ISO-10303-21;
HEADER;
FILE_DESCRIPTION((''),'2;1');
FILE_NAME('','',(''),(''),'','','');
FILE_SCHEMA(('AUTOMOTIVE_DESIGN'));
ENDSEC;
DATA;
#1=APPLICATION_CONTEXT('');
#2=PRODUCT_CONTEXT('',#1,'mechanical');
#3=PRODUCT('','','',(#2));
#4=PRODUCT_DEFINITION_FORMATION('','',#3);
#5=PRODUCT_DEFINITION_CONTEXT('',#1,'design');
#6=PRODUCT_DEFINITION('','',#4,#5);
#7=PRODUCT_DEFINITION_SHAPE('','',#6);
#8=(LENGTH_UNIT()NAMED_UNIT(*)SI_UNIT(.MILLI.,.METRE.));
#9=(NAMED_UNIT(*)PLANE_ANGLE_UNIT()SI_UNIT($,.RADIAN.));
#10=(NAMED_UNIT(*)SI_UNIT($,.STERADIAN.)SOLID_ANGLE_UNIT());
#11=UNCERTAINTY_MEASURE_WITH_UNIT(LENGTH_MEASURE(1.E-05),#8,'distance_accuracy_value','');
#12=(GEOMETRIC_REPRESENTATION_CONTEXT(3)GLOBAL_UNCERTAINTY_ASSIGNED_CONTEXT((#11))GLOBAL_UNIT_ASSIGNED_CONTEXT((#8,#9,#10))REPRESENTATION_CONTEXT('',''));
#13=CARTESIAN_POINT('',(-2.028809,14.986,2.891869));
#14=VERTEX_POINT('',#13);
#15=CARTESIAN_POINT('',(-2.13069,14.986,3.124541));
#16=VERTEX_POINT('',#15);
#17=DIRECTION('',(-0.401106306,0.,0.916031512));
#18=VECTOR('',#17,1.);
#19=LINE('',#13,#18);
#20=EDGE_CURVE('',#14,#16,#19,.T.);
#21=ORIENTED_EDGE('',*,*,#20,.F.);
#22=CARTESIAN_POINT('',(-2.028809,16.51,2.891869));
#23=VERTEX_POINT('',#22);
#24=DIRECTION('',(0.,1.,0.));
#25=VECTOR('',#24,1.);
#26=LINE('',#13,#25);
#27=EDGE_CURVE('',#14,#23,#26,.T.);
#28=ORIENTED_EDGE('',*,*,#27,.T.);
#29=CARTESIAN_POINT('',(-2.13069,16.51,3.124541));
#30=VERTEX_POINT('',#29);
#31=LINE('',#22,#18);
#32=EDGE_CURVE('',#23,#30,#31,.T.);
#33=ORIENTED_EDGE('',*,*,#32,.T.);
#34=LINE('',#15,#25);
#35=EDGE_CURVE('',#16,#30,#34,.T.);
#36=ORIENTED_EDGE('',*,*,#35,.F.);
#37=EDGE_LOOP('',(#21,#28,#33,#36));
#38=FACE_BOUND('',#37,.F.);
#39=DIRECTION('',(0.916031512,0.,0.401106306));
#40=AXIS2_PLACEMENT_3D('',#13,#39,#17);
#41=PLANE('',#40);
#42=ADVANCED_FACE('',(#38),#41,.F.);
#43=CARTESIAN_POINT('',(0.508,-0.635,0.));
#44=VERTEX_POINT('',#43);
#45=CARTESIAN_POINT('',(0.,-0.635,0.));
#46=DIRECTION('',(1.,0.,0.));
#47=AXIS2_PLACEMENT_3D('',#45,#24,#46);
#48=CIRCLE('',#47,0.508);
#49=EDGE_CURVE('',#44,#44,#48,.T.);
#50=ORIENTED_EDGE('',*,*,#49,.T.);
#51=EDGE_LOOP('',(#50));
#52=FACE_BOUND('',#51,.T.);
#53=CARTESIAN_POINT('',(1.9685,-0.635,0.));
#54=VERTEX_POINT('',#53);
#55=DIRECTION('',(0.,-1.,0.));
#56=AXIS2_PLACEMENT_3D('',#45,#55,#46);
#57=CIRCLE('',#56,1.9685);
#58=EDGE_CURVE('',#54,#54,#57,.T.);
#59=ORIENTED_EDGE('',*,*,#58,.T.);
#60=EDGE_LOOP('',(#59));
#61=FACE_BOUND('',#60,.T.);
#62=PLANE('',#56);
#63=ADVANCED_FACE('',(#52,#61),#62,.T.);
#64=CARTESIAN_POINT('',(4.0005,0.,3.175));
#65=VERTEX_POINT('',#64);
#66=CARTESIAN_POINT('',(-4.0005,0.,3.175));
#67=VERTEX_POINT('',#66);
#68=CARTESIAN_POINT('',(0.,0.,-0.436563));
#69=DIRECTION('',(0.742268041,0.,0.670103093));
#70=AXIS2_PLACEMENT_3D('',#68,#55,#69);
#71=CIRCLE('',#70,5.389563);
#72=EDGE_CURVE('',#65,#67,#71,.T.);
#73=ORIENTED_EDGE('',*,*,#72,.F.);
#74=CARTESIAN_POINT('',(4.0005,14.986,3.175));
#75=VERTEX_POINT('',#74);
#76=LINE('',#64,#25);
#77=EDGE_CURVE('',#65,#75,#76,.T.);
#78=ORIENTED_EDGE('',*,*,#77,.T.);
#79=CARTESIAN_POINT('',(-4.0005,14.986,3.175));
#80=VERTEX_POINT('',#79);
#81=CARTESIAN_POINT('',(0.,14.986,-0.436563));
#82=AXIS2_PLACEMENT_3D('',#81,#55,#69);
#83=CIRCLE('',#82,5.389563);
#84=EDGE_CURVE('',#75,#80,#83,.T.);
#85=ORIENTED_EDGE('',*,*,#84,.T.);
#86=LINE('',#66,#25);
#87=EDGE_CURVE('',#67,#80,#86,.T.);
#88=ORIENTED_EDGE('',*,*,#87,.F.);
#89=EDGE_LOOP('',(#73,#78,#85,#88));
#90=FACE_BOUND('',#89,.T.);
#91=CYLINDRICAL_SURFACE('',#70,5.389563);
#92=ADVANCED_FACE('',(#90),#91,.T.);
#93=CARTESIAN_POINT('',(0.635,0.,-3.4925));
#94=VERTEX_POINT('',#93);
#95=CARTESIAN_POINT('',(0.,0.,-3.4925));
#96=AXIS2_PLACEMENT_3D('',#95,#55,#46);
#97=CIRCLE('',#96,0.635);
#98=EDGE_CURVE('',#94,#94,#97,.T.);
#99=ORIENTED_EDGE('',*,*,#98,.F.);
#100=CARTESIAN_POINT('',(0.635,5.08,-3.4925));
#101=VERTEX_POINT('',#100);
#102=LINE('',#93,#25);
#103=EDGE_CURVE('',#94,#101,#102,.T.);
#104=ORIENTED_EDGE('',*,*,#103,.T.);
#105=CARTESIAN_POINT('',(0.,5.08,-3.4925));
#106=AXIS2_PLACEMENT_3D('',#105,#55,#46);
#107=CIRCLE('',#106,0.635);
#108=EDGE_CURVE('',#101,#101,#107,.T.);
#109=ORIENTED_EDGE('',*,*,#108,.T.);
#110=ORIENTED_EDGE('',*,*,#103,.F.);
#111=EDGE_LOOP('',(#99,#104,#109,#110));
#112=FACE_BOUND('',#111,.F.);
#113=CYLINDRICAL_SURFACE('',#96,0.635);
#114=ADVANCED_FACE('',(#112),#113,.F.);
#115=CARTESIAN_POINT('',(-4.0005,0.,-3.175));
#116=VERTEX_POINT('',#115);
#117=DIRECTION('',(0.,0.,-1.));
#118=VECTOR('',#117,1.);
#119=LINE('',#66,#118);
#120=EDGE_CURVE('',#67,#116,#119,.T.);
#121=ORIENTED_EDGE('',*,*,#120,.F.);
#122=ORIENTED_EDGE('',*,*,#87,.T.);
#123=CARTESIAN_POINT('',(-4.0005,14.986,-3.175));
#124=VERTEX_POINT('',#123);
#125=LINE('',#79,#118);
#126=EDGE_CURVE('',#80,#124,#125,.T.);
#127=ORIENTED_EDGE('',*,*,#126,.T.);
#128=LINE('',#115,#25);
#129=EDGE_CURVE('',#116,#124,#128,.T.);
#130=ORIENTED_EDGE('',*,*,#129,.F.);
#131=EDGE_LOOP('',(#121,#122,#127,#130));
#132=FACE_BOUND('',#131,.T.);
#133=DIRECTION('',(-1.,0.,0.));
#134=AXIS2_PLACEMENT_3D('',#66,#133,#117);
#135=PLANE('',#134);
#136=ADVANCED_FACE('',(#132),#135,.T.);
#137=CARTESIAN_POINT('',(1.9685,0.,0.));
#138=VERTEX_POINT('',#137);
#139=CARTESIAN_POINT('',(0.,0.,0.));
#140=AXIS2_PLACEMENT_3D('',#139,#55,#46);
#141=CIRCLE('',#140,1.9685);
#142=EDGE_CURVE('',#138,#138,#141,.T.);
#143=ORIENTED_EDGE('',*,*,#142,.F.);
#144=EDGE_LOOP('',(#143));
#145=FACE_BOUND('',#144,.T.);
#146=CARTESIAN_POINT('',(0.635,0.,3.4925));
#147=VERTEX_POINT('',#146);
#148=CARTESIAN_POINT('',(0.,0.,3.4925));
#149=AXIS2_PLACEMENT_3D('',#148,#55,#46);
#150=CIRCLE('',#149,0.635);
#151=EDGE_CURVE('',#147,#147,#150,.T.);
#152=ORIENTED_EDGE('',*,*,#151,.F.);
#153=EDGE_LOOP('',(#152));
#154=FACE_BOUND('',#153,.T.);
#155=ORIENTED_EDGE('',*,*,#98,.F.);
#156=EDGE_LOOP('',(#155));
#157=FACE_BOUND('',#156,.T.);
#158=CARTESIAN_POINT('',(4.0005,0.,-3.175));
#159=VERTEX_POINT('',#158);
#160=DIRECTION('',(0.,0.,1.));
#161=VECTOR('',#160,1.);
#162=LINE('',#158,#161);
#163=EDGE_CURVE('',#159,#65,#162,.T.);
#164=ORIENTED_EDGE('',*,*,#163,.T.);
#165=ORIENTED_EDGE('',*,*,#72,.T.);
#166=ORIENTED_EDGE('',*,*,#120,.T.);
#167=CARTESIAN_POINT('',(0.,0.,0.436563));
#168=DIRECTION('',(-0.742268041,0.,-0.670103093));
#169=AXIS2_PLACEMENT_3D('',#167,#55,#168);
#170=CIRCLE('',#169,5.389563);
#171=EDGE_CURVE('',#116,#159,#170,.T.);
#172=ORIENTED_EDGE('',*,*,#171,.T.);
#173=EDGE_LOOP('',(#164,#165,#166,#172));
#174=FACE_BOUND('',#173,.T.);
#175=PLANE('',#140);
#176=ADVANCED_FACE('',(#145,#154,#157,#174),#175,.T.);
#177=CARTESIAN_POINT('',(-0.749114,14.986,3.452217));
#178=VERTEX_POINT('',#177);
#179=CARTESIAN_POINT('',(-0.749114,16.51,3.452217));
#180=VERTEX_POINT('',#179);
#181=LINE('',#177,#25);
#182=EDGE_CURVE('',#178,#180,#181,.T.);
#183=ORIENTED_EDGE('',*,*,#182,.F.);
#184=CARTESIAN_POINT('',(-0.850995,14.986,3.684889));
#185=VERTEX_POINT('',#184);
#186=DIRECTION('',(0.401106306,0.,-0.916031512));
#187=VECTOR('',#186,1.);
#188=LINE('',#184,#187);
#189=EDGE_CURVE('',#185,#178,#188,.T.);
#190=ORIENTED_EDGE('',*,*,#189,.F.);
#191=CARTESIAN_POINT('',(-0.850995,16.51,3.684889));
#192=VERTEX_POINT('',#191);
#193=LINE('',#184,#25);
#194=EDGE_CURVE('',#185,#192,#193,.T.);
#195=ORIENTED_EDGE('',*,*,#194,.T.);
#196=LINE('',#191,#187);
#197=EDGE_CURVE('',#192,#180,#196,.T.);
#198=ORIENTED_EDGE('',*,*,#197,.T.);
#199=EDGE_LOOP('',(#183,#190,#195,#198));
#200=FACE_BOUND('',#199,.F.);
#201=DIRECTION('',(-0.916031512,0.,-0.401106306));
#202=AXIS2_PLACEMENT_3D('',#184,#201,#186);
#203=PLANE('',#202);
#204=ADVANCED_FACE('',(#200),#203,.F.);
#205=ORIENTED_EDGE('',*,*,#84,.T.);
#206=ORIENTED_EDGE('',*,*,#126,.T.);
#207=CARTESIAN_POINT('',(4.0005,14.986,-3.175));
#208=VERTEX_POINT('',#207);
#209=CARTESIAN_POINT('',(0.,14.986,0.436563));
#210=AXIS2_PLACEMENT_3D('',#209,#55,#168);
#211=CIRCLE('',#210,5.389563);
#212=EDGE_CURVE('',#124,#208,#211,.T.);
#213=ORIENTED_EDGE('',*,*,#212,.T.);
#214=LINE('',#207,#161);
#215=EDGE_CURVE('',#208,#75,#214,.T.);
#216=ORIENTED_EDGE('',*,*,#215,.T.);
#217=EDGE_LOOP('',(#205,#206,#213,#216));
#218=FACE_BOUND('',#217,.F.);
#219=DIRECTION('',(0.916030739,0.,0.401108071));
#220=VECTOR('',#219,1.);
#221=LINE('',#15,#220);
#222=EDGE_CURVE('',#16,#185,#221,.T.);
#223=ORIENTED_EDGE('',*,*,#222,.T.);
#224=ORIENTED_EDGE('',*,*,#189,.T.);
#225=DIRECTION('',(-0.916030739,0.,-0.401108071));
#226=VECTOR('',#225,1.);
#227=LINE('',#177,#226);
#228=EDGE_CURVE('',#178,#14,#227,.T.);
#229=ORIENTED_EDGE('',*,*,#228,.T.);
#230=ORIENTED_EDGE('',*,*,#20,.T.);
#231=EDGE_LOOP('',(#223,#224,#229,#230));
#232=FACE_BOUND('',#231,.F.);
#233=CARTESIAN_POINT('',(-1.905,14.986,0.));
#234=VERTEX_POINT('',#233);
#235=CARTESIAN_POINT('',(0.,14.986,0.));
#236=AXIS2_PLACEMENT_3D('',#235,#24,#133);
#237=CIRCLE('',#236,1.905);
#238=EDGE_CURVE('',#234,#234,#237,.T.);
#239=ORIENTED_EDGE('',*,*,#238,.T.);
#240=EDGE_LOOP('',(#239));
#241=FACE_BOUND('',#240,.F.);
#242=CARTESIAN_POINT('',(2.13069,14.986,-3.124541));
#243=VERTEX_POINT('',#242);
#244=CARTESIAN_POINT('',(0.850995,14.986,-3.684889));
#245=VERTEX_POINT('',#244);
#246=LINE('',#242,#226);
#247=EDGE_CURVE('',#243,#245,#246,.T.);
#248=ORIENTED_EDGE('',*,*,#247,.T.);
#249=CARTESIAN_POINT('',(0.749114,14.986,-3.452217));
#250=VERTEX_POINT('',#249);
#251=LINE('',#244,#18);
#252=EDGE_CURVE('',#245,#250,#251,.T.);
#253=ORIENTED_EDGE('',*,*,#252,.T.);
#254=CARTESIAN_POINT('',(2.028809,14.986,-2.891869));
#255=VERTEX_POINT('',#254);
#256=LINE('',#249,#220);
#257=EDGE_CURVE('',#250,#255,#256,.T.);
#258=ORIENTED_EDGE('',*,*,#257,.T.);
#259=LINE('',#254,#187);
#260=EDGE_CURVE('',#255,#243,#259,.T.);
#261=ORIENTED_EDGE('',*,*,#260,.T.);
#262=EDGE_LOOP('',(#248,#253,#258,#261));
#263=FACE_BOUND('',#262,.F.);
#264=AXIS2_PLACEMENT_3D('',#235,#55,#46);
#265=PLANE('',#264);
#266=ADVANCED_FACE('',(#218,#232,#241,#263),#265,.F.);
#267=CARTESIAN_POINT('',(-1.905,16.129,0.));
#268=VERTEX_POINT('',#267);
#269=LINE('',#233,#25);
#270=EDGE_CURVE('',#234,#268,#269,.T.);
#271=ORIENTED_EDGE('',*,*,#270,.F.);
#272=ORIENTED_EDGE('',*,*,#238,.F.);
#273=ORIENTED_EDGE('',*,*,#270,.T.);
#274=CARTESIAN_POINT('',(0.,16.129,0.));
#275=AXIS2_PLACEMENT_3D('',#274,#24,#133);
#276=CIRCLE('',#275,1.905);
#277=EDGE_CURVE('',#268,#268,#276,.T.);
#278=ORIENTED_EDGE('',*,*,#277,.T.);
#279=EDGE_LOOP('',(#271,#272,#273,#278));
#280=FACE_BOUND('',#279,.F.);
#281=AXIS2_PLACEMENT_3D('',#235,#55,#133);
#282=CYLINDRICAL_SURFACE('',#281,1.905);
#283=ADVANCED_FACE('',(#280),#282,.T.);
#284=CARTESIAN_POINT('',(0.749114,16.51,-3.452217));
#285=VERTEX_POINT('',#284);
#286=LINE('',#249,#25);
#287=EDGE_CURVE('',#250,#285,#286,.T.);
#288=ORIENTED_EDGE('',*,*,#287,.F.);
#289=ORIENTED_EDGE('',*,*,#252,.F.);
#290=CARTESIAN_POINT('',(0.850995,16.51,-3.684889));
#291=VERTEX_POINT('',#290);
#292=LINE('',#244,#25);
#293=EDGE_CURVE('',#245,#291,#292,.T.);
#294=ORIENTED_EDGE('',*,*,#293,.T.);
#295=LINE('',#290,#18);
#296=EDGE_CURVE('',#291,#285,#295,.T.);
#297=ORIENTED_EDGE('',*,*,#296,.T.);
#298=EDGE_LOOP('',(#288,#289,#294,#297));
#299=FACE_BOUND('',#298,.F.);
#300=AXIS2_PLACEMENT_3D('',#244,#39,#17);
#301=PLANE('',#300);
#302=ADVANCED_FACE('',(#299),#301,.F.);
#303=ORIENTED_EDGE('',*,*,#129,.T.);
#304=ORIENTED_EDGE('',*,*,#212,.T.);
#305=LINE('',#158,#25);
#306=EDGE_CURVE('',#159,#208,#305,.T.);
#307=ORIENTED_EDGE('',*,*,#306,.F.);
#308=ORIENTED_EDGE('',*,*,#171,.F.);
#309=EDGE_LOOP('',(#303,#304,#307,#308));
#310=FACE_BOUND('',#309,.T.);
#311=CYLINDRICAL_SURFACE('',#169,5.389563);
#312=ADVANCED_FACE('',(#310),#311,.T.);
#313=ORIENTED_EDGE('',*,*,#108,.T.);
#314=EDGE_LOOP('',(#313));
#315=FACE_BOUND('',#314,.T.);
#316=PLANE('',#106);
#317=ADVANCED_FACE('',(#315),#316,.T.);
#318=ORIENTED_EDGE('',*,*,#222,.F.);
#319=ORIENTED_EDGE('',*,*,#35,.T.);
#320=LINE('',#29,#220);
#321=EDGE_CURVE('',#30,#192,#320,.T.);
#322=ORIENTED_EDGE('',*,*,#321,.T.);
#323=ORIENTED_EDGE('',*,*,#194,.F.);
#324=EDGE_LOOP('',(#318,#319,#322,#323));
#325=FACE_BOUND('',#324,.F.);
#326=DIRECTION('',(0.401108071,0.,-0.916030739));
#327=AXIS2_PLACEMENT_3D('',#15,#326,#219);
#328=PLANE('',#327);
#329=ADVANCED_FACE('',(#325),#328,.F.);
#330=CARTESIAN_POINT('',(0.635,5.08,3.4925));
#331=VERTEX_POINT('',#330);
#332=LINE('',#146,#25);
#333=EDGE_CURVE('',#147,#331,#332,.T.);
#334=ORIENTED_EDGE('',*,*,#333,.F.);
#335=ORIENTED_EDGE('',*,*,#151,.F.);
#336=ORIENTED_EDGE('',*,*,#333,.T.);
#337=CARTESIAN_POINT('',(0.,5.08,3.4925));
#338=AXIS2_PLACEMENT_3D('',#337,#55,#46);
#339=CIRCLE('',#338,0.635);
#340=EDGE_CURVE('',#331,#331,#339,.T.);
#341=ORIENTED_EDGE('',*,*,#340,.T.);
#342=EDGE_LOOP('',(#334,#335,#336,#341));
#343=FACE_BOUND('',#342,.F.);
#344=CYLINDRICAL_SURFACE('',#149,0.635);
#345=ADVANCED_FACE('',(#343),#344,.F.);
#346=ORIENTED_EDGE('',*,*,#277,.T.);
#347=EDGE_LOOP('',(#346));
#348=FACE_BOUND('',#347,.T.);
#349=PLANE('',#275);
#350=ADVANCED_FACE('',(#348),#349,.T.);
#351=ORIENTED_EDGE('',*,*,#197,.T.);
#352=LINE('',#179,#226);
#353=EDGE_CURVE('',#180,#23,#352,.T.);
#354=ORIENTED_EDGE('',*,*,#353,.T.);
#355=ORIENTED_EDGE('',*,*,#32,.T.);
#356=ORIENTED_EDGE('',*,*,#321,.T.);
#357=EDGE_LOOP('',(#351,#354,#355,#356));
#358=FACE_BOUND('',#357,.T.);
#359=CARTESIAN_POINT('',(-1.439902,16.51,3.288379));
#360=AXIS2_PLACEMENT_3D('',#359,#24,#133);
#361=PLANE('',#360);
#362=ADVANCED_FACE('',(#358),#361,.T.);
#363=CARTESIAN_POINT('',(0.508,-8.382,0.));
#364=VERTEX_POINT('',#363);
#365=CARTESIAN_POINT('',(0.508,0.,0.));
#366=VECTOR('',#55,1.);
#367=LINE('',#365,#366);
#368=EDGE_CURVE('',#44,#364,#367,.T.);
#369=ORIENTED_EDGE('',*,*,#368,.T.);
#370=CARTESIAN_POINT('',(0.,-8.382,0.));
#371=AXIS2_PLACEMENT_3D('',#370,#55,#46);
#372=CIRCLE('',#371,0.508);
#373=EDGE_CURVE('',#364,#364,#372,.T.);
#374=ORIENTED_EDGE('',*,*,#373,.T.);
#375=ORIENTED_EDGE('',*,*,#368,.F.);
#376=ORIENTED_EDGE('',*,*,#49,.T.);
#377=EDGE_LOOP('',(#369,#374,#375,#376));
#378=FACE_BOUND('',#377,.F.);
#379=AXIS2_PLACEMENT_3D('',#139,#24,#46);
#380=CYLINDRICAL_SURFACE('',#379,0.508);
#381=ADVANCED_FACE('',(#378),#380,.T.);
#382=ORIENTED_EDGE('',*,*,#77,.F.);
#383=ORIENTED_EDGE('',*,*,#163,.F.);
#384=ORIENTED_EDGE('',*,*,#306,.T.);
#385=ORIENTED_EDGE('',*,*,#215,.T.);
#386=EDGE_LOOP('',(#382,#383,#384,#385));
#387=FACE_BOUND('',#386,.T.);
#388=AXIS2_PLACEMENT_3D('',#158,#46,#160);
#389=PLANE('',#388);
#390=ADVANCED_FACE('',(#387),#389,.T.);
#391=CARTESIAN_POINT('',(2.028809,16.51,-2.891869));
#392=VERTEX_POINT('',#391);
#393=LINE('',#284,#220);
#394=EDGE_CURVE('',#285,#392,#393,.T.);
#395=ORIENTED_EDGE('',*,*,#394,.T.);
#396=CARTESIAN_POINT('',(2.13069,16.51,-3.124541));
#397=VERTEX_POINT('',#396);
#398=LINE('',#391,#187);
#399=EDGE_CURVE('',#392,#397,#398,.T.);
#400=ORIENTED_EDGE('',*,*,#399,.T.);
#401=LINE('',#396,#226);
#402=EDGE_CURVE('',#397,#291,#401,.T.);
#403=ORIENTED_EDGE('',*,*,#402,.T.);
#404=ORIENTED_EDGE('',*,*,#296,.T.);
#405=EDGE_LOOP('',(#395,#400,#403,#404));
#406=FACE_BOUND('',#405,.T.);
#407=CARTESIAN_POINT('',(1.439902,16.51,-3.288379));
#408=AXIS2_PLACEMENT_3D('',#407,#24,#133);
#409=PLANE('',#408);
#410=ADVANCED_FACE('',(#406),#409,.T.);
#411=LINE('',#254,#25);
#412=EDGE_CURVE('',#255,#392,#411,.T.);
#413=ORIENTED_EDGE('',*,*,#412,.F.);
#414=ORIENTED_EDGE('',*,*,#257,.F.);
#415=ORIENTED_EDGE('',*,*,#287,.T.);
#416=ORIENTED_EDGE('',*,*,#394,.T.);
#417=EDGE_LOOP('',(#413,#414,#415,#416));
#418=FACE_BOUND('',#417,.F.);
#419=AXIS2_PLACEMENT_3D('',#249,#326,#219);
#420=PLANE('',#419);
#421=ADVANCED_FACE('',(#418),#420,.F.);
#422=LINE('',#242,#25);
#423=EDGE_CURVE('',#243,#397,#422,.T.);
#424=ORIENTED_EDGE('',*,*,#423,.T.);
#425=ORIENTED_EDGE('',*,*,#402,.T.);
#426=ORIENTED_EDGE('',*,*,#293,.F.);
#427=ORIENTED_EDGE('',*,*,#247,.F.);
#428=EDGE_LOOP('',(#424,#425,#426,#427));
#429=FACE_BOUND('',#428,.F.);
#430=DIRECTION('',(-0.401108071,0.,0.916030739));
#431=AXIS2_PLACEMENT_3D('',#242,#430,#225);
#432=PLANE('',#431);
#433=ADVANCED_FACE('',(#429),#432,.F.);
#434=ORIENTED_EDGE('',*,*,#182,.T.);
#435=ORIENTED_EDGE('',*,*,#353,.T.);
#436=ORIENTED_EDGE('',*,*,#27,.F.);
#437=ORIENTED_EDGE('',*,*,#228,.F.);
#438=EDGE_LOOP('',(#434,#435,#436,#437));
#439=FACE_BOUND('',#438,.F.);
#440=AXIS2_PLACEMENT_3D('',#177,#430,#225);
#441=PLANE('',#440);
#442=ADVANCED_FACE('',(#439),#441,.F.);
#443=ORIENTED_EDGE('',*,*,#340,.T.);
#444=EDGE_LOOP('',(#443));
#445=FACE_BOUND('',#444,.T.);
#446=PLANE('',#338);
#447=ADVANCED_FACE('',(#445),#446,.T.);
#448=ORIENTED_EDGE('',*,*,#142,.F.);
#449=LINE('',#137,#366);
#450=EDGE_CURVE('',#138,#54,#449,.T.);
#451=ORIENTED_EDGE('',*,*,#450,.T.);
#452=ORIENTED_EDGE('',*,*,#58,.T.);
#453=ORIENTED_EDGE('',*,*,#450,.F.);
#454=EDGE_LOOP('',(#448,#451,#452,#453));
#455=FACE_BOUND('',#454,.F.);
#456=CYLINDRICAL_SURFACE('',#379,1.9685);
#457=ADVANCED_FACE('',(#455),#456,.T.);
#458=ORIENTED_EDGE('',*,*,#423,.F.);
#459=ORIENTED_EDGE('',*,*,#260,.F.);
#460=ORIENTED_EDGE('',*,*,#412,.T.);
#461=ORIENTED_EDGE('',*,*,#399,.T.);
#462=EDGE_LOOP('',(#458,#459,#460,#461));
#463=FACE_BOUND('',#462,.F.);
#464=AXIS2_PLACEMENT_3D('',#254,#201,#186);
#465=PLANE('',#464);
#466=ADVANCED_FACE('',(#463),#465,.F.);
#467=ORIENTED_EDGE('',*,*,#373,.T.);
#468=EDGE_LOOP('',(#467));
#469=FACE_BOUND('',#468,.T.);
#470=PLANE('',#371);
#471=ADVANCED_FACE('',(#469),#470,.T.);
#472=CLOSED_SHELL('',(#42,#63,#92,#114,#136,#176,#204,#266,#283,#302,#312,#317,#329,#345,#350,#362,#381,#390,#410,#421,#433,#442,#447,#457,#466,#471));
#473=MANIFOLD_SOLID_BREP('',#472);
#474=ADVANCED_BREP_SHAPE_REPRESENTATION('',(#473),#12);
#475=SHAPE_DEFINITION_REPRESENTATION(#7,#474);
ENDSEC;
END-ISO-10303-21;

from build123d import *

# Parameters (mm, degrees)
F1_DEPTH  = 14.986
F2_R      = 0.508
F3_DEPTH  = 8.382
F4_R      = 0.635
F5_DEPTH  = 5.08
F6_R      = 1.9685
F7_DEPTH  = 0.635
F8_R      = 1.905
F9_DEPTH  = 1.143
F11_DEPTH = 1.524


with BuildPart() as f1:
    # F0 (on Front) → F1 (new body)
    with BuildSketch(Plane.XZ):
        with BuildLine():
            Line((4.0005, -3.175), (4.0005, 3.175))
            ThreePointArc((4.0005, 3.175), (0, 4.953), (-4.0005, 3.175))
            Line((-4.0005, 3.175), (-4.0005, -3.175))
            ThreePointArc((-4.0005, -3.175), (0, -4.953), (4.0005, -3.175))
        make_face()
    extrude(amount=-F1_DEPTH)

    # F2 (on face) → F3 (join)
    with BuildSketch(Plane.XZ):
        Circle(F2_R)
    extrude(amount=F3_DEPTH)

    # F4 (on face) → F5 (cut)
    with BuildSketch(Plane.XZ):
        with Locations((0, 3.4925)):
            Circle(F4_R)
        with Locations((0, -3.4925)):
            Circle(F4_R)
    extrude(amount=-F5_DEPTH, mode=Mode.SUBTRACT)

    # F6 (on face) → F7 (join)
    with BuildSketch(Plane.XZ):
        Circle(F6_R)
    extrude(amount=F7_DEPTH)

    # F8 (on face) → F9 (join)
    with BuildSketch(Plane(origin=(0, 14.986, 0), x_dir=(-1, 0, 0), z_dir=(0, 1, 0))):
        Circle(F8_R)
    extrude(amount=F9_DEPTH)

    # F10 (on face) → F11 (join)
    with BuildSketch(Plane(origin=(0, 14.986, 0), x_dir=(-1, 0, 0), z_dir=(0, 1, 0))):
        Polygon((-2.028809, -2.891869), (-2.13069, -3.124541), (-0.850995, -3.684889), (-0.749114, -3.452217), align=None)
        Polygon((0.850995, 3.684889), (0.749114, 3.452217), (2.028809, 2.891869), (2.13069, 3.124541), align=None)
    extrude(amount=F11_DEPTH)


solid = f1.part
